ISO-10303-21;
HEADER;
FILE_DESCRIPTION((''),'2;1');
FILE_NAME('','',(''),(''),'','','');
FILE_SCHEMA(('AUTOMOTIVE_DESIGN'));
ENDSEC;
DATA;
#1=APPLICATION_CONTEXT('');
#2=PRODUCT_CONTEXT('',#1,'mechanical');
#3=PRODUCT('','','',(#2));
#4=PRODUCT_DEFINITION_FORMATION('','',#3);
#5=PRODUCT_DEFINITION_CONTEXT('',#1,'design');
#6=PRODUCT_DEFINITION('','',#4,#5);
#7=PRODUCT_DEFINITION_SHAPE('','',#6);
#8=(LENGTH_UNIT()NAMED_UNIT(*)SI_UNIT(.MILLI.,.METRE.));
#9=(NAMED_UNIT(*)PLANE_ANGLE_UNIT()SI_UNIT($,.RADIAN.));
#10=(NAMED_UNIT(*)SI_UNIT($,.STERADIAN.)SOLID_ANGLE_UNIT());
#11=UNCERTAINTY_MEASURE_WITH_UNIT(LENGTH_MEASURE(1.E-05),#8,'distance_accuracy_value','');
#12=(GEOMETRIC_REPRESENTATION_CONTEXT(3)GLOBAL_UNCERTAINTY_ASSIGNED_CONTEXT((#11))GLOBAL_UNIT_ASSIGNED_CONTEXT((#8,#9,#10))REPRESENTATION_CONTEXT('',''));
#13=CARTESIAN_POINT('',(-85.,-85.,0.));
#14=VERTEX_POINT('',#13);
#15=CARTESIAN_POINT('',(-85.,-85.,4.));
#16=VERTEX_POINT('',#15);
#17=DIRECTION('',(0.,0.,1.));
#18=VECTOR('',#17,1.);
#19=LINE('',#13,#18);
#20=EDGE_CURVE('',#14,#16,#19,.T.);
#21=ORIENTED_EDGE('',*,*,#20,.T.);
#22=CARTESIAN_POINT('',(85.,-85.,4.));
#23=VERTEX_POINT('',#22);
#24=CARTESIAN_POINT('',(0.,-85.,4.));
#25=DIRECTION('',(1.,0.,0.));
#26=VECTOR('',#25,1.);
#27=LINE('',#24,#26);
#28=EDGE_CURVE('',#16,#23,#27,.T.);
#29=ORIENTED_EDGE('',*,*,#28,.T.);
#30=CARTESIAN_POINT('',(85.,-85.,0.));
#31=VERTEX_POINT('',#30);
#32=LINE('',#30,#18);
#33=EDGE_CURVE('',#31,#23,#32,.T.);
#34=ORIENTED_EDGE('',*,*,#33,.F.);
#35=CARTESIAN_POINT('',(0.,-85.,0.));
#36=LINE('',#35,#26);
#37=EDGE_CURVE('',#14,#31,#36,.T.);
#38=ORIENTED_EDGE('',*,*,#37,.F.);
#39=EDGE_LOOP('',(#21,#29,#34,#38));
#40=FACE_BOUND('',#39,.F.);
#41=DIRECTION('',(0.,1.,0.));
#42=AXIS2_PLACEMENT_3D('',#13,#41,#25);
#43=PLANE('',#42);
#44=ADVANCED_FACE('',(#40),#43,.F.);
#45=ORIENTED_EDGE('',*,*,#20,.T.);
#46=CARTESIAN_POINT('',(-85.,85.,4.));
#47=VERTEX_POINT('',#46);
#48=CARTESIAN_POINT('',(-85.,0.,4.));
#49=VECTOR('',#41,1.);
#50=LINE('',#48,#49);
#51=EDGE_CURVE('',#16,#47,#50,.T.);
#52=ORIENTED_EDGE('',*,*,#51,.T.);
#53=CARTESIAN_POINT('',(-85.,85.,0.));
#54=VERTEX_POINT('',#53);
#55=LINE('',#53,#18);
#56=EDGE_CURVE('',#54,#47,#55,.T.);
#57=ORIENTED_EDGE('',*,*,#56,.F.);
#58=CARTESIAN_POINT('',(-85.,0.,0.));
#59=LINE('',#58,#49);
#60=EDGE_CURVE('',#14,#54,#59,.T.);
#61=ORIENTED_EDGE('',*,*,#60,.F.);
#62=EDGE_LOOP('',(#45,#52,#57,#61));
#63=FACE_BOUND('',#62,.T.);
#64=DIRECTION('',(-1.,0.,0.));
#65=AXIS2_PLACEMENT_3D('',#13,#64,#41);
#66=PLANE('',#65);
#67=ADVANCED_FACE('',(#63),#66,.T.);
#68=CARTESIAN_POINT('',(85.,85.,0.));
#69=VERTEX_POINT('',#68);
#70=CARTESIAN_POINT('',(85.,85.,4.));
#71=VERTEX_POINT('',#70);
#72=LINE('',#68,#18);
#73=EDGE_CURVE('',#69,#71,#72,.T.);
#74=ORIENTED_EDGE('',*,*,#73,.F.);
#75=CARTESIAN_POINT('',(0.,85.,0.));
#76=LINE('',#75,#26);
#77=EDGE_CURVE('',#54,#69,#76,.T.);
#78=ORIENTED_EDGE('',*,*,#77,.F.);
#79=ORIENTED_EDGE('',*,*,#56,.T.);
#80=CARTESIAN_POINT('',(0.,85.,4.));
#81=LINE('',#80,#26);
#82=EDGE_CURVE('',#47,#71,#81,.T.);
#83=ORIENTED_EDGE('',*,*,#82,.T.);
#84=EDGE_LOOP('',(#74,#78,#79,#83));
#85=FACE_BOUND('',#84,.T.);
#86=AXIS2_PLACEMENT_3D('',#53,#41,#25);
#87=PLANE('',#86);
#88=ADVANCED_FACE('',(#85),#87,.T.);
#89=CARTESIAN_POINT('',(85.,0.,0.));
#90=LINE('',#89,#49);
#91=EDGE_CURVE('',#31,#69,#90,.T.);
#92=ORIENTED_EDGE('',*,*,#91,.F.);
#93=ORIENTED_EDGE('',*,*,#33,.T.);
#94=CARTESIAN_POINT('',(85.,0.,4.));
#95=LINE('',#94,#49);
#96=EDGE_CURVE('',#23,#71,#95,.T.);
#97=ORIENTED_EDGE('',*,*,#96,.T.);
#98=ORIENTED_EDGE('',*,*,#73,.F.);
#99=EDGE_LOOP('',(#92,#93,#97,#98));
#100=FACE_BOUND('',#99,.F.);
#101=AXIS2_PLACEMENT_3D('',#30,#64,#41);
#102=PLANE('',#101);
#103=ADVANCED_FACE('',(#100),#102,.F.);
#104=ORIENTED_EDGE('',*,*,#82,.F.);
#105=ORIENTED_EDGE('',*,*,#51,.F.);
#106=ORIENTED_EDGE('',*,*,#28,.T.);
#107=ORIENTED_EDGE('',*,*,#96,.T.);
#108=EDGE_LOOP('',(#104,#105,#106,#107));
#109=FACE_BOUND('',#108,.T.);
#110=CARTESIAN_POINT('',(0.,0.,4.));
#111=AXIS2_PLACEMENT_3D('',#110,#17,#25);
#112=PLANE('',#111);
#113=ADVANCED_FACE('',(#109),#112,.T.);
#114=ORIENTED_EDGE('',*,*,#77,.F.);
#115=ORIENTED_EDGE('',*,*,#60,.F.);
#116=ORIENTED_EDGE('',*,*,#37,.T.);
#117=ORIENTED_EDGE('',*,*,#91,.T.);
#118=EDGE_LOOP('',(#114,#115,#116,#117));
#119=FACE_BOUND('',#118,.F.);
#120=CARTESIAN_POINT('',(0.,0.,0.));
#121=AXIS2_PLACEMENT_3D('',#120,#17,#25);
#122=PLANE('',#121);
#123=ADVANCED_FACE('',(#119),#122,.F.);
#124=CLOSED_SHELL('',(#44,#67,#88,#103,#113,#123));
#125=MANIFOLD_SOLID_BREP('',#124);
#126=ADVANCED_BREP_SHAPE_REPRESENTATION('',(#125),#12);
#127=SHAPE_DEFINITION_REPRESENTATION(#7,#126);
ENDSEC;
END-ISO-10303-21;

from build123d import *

# Parameters (mm, degrees)
SKETCH_W  = 170
SKETCH_H  = 170
PAD_DEPTH = 4


with BuildPart() as part:
    # Sketch → Pad (new body)
    with BuildSketch(Plane.XY):
        Rectangle(SKETCH_W, SKETCH_H)
    extrude(amount=PAD_DEPTH)


solid = part.part
